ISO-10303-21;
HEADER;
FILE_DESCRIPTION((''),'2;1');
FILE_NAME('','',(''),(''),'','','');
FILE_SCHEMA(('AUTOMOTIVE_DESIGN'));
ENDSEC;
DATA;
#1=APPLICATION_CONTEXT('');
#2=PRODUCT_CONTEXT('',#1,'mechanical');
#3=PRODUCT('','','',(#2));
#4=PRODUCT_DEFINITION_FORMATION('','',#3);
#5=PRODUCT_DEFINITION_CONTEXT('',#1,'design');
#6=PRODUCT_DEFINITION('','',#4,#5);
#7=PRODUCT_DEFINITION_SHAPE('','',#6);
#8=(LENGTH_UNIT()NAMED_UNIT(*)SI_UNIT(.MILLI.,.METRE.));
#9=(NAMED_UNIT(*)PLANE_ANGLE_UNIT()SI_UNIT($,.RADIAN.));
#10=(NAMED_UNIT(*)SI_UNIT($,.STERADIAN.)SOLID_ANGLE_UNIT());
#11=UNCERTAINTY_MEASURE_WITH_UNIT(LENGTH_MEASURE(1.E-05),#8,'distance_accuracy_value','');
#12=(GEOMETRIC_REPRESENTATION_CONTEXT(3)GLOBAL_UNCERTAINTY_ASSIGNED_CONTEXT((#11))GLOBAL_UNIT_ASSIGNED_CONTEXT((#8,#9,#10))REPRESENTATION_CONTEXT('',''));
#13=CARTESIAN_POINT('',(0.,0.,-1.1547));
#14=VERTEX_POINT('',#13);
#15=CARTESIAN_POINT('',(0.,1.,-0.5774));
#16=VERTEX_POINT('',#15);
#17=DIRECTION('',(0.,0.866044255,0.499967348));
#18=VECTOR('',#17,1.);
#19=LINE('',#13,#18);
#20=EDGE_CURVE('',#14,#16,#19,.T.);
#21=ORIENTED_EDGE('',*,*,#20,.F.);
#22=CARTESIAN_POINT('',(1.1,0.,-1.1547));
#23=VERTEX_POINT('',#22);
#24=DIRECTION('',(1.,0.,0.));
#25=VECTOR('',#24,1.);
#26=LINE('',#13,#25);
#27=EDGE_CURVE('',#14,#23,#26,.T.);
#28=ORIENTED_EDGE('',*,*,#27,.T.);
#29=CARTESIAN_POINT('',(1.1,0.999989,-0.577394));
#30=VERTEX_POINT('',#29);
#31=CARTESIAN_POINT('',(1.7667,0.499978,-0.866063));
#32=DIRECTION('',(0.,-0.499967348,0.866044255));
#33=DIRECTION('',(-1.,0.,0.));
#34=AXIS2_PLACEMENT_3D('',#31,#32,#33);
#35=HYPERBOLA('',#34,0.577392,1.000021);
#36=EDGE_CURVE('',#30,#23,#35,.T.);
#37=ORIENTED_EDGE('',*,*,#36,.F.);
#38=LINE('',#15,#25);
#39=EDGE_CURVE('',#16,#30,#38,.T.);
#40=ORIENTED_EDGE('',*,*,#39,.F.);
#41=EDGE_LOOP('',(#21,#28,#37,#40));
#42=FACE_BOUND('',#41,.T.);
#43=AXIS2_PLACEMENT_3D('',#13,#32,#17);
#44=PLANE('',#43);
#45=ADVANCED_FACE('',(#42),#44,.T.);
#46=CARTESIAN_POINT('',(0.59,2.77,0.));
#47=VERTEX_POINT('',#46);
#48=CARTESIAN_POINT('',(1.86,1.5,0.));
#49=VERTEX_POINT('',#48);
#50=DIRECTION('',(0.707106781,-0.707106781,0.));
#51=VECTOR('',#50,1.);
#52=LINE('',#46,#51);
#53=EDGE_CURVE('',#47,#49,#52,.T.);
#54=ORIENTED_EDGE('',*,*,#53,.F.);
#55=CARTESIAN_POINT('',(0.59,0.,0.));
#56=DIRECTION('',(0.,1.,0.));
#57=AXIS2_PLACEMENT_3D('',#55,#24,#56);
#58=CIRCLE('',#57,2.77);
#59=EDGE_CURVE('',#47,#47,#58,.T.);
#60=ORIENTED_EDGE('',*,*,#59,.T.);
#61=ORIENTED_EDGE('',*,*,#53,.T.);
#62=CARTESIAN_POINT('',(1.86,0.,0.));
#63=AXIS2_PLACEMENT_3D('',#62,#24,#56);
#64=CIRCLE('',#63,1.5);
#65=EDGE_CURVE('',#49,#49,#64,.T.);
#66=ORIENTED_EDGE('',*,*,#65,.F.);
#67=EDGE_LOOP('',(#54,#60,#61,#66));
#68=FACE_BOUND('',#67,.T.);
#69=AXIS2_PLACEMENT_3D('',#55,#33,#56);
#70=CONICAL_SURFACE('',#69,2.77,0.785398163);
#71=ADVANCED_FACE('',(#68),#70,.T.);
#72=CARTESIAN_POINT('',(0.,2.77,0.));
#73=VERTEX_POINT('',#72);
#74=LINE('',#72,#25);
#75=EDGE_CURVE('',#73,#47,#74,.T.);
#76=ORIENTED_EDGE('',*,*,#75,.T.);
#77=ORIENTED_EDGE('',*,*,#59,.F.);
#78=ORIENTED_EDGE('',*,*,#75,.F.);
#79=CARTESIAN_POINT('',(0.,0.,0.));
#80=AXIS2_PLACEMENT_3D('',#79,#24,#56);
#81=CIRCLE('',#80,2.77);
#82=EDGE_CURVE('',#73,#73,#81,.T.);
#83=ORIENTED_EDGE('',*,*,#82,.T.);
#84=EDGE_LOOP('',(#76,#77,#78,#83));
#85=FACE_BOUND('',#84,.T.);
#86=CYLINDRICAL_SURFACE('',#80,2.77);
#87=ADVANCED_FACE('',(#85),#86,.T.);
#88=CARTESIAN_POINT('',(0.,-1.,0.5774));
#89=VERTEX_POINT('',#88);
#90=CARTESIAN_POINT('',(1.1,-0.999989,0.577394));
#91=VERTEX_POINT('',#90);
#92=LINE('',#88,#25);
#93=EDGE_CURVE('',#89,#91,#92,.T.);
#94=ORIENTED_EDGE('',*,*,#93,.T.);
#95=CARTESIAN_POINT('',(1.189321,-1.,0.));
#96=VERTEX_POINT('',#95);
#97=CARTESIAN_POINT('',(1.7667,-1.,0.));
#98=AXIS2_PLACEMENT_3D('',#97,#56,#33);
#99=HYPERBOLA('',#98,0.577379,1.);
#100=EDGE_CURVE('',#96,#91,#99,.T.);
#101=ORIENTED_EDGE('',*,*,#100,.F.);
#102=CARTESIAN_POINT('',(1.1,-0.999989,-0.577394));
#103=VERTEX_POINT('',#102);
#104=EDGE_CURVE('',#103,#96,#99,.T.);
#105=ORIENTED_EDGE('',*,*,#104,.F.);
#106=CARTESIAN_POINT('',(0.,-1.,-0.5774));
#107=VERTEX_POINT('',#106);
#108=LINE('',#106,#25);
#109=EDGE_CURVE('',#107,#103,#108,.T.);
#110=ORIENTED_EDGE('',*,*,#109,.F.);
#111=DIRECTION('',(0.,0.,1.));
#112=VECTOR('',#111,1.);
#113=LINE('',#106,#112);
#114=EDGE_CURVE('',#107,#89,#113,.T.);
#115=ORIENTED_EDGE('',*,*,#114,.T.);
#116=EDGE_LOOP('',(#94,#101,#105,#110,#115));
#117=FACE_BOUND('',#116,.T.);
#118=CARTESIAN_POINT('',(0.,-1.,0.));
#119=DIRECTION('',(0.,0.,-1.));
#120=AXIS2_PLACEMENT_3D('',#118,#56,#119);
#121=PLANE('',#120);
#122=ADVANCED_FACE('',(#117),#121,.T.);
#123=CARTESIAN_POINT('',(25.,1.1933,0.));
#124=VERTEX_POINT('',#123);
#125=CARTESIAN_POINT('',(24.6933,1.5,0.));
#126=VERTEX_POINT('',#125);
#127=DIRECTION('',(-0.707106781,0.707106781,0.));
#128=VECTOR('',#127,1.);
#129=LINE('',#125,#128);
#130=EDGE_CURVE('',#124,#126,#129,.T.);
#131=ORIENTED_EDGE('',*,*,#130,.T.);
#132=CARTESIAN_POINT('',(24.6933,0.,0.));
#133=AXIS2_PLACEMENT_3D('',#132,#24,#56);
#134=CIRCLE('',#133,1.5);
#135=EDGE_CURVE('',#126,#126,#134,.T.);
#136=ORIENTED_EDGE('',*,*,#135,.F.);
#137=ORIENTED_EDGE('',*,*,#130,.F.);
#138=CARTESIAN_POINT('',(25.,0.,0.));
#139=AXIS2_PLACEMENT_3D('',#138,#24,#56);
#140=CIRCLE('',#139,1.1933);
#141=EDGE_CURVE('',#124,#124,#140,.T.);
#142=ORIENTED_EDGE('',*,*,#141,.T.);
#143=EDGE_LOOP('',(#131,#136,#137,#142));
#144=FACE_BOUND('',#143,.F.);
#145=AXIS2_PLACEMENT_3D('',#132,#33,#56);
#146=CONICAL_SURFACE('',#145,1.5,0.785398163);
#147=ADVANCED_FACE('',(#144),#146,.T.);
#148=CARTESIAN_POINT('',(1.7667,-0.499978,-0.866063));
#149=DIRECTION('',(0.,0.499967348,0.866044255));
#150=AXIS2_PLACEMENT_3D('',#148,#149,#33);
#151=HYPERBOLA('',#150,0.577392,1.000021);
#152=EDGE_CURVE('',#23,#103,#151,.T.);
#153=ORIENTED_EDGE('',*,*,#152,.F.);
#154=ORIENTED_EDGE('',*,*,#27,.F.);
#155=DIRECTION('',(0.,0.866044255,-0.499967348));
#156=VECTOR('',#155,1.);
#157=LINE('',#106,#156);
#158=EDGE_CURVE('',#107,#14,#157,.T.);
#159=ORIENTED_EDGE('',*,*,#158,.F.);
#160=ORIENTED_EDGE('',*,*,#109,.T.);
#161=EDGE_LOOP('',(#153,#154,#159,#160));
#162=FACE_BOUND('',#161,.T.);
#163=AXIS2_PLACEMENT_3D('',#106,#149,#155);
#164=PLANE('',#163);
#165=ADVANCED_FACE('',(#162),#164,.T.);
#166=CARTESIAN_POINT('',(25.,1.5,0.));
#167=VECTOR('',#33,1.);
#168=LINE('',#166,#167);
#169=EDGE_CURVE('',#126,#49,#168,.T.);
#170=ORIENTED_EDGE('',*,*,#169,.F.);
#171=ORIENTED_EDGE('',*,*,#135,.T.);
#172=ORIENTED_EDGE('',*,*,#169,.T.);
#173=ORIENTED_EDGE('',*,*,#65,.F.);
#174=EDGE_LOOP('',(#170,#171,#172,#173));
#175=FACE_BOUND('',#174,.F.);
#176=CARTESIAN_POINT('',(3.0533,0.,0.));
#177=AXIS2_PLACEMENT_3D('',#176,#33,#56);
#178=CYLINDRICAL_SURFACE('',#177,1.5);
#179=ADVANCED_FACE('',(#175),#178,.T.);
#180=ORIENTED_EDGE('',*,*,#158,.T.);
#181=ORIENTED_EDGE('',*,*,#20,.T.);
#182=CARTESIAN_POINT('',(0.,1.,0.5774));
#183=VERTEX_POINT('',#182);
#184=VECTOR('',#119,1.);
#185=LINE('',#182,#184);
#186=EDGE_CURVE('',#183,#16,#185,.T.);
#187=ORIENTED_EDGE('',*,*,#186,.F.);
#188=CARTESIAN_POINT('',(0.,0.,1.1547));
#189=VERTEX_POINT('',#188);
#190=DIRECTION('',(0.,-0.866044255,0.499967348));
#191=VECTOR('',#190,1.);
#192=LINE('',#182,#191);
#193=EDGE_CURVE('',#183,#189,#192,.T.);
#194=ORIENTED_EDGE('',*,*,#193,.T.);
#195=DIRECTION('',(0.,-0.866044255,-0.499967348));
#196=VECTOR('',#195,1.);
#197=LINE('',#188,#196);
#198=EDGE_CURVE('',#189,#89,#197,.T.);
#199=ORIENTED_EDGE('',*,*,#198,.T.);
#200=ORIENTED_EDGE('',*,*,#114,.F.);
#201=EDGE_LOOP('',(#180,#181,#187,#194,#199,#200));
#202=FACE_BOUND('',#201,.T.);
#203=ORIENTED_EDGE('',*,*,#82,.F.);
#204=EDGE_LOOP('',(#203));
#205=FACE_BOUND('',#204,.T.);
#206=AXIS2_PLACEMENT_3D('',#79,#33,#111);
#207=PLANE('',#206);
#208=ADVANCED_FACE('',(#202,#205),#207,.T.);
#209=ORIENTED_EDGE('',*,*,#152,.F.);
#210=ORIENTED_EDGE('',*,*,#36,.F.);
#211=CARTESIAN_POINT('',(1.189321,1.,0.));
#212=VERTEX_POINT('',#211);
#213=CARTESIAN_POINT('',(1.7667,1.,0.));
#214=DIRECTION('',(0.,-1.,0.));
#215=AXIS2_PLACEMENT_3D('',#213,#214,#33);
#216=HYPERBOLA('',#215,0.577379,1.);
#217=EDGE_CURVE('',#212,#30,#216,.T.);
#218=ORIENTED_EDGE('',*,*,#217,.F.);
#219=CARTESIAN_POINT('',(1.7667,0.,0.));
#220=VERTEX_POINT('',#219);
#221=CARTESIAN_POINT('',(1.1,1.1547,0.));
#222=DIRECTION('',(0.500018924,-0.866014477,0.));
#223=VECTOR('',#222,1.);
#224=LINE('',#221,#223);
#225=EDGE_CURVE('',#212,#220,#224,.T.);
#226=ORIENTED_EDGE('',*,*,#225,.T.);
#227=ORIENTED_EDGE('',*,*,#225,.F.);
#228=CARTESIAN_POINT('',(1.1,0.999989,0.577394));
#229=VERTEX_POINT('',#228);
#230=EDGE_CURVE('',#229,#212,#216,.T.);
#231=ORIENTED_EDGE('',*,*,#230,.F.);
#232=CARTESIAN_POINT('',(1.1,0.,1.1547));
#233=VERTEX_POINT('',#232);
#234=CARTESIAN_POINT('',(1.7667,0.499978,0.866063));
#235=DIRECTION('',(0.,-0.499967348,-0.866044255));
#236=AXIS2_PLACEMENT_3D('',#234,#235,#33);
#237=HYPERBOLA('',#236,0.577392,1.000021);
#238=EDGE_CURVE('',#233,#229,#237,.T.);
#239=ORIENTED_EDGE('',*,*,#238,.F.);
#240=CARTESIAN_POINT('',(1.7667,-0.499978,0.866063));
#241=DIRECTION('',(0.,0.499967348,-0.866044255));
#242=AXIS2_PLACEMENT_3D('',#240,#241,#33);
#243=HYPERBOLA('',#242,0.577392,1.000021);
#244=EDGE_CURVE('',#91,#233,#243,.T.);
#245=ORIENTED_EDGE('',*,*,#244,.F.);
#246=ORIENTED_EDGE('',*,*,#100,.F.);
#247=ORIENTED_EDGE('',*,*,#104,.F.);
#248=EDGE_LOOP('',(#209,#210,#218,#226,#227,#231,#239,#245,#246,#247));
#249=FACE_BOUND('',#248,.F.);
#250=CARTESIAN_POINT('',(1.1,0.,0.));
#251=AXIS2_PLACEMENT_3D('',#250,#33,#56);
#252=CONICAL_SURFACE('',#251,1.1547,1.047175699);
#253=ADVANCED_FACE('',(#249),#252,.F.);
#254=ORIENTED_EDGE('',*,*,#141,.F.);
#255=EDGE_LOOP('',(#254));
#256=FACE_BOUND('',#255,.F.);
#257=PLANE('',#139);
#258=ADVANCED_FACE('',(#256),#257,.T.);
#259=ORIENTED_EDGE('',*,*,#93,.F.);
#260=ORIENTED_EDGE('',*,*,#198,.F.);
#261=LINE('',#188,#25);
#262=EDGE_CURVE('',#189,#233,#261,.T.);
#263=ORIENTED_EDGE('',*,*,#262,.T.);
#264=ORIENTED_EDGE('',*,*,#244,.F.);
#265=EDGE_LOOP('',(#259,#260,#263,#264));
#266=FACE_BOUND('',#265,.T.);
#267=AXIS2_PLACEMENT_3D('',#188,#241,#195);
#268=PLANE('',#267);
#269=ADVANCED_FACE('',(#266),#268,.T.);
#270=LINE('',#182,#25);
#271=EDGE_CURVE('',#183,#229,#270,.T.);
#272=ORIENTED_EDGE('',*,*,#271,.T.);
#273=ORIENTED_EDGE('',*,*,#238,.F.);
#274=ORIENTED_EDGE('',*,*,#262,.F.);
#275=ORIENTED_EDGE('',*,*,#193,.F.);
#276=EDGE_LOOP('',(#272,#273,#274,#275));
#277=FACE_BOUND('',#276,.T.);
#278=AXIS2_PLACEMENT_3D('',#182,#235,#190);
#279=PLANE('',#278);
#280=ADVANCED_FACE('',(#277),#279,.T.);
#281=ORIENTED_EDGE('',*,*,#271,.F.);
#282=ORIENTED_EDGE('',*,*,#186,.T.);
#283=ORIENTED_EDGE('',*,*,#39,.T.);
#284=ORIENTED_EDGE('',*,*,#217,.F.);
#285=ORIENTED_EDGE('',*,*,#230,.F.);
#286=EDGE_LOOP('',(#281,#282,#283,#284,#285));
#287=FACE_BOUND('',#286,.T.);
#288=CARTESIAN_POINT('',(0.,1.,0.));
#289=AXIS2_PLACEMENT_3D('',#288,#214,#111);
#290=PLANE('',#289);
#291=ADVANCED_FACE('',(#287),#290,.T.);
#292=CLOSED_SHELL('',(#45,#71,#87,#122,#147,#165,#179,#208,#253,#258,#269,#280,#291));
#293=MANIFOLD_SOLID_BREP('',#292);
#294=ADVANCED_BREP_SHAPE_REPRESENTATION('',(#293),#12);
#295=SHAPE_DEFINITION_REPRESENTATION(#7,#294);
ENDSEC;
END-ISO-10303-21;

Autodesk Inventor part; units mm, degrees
ref_plane "YZ Plane" through (0, 0, 0) normal (1, 0, 0) x (0, 1, 0)
ref_plane "XZ Plane" through (0, 0, 0) normal (0, 1, 0) x (-1, 0, 0)
sketch "Sketch1" plane through (0, 0, 0) normal (0, 0, 1) x (1, 0, 0)
  line L0 (25, 0) -> (25, 1.5)
  line L1 (25, 1.5) -> (3.36, 1.5)
  line L2 (3.36, 1.5) -> (3.0533, 1.5)
  line L3 (0, 2.77) -> (0, 1.1547)
  line L4 (0, 1.1547) -> (1.1, 1.1547)
  line L5 (1.1, 1.1547) -> (1.7667, 0)
  line L6 (1.7667, 0) -> (25, 0)
  line L7 (0, 2.77) -> (0.59, 2.77)
  line L8 (0.59, 2.77) -> (1.86, 1.5)
  line L9 (3.0533, 1.5) -> (1.86, 1.5)
  line L10 (3.36, 1.5) -> (1.86, 1.5) construction
  line L11 (1.86, 1.5) -> (1.86, 1.5)
  line L12 (-25.4, 0) -> (152.4, 0) projected
  line L13 (0, -2.1133) -> (0, 12.6797) projected
  dimension "d0" = 25
  dimension "d1" = 21.64
  dimension "d2" = 1.1
  dimension "d3" = 3
  dimension "d6" = 1.86
  dimension "d7" = 45
  dimension "d8" = 2.3094
  dimension "d9" = 60
  dimension "d10" = 5.54
  dimension "d11" = 3
  dimension "d12" = 0.3067
revolve "Body" add sketch "Sketch1" angle 360 about axis through (1.7667, 0, 0) along (1, 0, 0) contours L6 L5 L4 L3 L7 L8 L9 L2 L1 L0
sketch "Sketch2" plane through (0, 0, 0) normal (-1, 0, 0) x (0, 0, 1)
  circle A0 centre (0, 0) radius 1.1547 projected
  line L0 (0, -6.4055) -> (0, 6.4055) projected
  line L1 (-6.4055, 0) -> (6.4055, 0) projected
  line L2 (1.1547, 0) -> (0.5774, -1)
  line L3 (0.5774, -1) -> (-0.5774, -1)
  line L4 (-0.5774, -1) -> (-1.1547, 0)
  line L5 (-1.1547, 0) -> (-0.5774, 1)
  line L6 (-0.5774, 1) -> (0.5774, 1)
  line L7 (0.5774, 1) -> (1.1547, 0)
  point P0 (0, 1.1547)
extrude "Slot" add sketch "Sketch2" against normal up to next contours L7 A0 | A0 L2 | L6 L0 A0 | A0 L0 L3 | L0 L6 A0 | A0 L3 L0 | L4 A0 | A0 L5
thread "Thread" size "M14x2" class "6g" standard "ISO Metric profile" length 21.64
chamfer "Chamfer1" distance 0.3067 distance2 0.3067 1 edges at (25, -1.5, 0) measured on face at (25, 0.0871, 0.3876)
ref_plane "Work Plane1" through (104.775, 0, 0) normal (0, 0, -1) x (1, 0, 0)
equation "\"d15\" = GEL"
equation "\"d17\" = -0.5 * SPD + 0.5 * GD"
equation "\"d18\" = GUL"
equation "\"d0\" = NLG"
equation "\"d1\" = GEL"
equation "\"d2\" = INTI"
equation "\"d3\" = GD"
equation "\"d6\" = KOH"
equation "\"d7\" = 0.5 * SEWI"
equation "\"d8\" = 1.1547 * SW"
equation "\"d10\" = KOD"
equation "\"d11\" = BDM"
equation "\"d12\" = GAL"
equation "\"NLG\" = 25"
equation "\"INTI\" = 1.1"
equation "\"GEL\" = 21.64"
equation "\"GAL\" = 0.61345 * PTC"
equation "\"KOH\" = 1.86"
equation "\"KOD\" = 5.54"
equation "\"GUL\" = 0.61345 * PTC"
equation "\"SPD\" = NND - 1.2269 * PTC"
equation "\"BDM\" = NND"
equation "\"GD\" = NND"
equation "\"SEWI\" = 90deg"
equation "\"SW\" = 2"
equation "\"TOA\" = 30deg"
equation "\"GD1\" = THREADDIA - 1.2269 * PTC"
equation "\"EPV\" = 3.36"
equation "\"THREADDIA\" = 3"
equation "\"PTC\" = 0.5"
equation "\"NND\" = 3"
equation "\"E0\" = 2.31"
properties part number "ISO 10642  - M3  x  25" material "Steel"
